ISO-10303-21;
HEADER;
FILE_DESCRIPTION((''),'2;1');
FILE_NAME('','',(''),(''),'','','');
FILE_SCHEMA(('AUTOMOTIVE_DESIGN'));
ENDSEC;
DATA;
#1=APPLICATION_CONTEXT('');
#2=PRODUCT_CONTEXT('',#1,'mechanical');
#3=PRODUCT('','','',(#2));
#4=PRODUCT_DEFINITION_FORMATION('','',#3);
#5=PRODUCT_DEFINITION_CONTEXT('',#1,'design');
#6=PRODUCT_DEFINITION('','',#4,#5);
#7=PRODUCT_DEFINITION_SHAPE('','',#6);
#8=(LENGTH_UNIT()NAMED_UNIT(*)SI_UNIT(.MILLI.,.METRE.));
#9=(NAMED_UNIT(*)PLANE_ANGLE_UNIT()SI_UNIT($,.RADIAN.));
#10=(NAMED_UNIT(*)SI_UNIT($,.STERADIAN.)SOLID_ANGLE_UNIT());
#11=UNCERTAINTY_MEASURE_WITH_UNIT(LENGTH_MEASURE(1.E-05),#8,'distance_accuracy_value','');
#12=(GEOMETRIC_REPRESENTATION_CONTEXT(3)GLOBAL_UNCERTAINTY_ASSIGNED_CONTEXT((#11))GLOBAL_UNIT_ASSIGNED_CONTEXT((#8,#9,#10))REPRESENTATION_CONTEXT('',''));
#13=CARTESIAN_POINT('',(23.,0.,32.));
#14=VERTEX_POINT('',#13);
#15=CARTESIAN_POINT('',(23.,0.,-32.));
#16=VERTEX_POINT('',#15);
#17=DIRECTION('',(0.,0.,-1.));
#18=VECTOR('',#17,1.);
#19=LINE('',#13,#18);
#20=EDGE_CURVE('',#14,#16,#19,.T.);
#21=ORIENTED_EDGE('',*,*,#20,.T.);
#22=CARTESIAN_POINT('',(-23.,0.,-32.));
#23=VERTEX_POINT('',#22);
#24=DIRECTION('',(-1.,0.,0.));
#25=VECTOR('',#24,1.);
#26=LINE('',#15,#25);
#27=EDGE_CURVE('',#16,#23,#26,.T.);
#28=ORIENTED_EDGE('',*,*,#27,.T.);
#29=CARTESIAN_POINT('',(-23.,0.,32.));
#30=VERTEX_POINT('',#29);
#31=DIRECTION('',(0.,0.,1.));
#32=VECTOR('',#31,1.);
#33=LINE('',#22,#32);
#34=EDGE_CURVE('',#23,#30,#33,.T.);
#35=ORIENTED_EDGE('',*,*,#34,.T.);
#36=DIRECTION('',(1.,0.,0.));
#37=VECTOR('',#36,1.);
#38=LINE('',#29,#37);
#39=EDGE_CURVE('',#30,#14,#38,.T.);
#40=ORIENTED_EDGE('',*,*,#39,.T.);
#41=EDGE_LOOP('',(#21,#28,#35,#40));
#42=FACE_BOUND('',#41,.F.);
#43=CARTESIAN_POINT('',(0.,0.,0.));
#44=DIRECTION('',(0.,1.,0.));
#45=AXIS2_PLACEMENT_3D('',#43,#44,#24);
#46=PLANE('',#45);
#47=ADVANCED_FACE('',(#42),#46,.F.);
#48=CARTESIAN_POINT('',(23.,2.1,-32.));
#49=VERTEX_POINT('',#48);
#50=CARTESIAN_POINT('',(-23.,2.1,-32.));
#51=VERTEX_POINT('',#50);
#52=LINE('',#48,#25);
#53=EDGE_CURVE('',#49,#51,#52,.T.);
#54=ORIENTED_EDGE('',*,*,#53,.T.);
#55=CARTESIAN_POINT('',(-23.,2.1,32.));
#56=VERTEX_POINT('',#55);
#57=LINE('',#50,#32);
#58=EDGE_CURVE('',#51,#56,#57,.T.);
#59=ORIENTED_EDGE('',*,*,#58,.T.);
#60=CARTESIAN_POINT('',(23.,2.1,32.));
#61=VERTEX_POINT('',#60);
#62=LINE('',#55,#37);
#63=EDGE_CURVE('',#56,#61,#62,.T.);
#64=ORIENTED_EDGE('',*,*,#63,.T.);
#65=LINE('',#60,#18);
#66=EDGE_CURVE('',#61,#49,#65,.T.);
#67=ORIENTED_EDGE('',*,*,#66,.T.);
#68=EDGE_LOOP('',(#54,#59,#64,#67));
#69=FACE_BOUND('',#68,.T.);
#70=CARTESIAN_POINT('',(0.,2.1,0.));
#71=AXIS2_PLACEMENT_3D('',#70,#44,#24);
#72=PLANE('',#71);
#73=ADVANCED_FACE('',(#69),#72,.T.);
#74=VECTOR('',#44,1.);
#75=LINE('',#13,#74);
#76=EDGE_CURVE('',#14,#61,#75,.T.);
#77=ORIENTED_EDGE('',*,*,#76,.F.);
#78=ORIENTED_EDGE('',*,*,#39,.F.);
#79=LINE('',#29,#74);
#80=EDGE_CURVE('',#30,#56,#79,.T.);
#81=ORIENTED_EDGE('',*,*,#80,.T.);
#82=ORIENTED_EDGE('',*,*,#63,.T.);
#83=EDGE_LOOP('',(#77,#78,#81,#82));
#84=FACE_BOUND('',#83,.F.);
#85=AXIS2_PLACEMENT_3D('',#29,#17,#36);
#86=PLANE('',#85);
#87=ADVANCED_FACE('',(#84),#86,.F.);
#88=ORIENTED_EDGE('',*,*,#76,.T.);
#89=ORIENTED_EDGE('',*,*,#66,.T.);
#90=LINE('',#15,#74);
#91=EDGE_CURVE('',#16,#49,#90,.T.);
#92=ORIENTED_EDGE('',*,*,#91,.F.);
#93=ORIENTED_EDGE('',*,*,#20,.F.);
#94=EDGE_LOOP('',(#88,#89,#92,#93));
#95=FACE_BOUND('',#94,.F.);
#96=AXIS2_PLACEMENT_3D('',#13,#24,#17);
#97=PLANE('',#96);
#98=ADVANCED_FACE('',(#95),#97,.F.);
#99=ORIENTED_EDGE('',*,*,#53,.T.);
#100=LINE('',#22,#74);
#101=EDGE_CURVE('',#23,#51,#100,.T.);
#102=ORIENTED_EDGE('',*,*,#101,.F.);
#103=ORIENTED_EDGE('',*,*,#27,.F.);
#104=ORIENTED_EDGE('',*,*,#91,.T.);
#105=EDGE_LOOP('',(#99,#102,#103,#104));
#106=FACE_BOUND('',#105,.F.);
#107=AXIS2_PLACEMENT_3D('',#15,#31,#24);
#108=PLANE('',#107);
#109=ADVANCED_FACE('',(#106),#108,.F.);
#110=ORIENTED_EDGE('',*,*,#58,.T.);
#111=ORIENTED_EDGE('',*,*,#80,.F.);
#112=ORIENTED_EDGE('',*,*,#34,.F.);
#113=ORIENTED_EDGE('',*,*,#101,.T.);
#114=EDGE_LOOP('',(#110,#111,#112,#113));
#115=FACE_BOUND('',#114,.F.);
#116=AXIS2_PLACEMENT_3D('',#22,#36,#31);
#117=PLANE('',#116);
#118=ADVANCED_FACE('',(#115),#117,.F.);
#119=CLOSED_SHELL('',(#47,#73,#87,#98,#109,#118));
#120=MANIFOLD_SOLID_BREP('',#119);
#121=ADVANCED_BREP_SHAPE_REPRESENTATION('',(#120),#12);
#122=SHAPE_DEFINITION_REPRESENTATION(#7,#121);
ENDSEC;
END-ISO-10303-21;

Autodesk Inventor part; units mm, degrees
ref_plane "YZ Plane" through (0, 0, 0) normal (1, 0, 0) x (0, 1, 0)
ref_plane "XZ Plane" through (0, 0, 0) normal (0, 1, 0) x (-1, 0, 0)
ref_plane "XY Plane" through (0, 0, 0) normal (0, 0, 1) x (1, 0, 0)
sketch "Sketch1" plane through (0, 0, 0) normal (0, 1, 0) x (-1, 0, 0)
  line L0 (-23, -32) -> (23, -32)
  line L1 (23, -32) -> (23, 32)
  line L2 (23, 32) -> (-23, 32)
  line L3 (-23, 32) -> (-23, -32)
  line L4 (-23, -32) -> (23, 32) construction
  line L5 (23, -32) -> (-23, 32) construction
  point P0 (0, 0)
  dimension "d2" = 46
  dimension "d3" = 64
extrude "Extrusion1" add sketch "Sketch1" along normal blind 2.1
properties part number "board"
